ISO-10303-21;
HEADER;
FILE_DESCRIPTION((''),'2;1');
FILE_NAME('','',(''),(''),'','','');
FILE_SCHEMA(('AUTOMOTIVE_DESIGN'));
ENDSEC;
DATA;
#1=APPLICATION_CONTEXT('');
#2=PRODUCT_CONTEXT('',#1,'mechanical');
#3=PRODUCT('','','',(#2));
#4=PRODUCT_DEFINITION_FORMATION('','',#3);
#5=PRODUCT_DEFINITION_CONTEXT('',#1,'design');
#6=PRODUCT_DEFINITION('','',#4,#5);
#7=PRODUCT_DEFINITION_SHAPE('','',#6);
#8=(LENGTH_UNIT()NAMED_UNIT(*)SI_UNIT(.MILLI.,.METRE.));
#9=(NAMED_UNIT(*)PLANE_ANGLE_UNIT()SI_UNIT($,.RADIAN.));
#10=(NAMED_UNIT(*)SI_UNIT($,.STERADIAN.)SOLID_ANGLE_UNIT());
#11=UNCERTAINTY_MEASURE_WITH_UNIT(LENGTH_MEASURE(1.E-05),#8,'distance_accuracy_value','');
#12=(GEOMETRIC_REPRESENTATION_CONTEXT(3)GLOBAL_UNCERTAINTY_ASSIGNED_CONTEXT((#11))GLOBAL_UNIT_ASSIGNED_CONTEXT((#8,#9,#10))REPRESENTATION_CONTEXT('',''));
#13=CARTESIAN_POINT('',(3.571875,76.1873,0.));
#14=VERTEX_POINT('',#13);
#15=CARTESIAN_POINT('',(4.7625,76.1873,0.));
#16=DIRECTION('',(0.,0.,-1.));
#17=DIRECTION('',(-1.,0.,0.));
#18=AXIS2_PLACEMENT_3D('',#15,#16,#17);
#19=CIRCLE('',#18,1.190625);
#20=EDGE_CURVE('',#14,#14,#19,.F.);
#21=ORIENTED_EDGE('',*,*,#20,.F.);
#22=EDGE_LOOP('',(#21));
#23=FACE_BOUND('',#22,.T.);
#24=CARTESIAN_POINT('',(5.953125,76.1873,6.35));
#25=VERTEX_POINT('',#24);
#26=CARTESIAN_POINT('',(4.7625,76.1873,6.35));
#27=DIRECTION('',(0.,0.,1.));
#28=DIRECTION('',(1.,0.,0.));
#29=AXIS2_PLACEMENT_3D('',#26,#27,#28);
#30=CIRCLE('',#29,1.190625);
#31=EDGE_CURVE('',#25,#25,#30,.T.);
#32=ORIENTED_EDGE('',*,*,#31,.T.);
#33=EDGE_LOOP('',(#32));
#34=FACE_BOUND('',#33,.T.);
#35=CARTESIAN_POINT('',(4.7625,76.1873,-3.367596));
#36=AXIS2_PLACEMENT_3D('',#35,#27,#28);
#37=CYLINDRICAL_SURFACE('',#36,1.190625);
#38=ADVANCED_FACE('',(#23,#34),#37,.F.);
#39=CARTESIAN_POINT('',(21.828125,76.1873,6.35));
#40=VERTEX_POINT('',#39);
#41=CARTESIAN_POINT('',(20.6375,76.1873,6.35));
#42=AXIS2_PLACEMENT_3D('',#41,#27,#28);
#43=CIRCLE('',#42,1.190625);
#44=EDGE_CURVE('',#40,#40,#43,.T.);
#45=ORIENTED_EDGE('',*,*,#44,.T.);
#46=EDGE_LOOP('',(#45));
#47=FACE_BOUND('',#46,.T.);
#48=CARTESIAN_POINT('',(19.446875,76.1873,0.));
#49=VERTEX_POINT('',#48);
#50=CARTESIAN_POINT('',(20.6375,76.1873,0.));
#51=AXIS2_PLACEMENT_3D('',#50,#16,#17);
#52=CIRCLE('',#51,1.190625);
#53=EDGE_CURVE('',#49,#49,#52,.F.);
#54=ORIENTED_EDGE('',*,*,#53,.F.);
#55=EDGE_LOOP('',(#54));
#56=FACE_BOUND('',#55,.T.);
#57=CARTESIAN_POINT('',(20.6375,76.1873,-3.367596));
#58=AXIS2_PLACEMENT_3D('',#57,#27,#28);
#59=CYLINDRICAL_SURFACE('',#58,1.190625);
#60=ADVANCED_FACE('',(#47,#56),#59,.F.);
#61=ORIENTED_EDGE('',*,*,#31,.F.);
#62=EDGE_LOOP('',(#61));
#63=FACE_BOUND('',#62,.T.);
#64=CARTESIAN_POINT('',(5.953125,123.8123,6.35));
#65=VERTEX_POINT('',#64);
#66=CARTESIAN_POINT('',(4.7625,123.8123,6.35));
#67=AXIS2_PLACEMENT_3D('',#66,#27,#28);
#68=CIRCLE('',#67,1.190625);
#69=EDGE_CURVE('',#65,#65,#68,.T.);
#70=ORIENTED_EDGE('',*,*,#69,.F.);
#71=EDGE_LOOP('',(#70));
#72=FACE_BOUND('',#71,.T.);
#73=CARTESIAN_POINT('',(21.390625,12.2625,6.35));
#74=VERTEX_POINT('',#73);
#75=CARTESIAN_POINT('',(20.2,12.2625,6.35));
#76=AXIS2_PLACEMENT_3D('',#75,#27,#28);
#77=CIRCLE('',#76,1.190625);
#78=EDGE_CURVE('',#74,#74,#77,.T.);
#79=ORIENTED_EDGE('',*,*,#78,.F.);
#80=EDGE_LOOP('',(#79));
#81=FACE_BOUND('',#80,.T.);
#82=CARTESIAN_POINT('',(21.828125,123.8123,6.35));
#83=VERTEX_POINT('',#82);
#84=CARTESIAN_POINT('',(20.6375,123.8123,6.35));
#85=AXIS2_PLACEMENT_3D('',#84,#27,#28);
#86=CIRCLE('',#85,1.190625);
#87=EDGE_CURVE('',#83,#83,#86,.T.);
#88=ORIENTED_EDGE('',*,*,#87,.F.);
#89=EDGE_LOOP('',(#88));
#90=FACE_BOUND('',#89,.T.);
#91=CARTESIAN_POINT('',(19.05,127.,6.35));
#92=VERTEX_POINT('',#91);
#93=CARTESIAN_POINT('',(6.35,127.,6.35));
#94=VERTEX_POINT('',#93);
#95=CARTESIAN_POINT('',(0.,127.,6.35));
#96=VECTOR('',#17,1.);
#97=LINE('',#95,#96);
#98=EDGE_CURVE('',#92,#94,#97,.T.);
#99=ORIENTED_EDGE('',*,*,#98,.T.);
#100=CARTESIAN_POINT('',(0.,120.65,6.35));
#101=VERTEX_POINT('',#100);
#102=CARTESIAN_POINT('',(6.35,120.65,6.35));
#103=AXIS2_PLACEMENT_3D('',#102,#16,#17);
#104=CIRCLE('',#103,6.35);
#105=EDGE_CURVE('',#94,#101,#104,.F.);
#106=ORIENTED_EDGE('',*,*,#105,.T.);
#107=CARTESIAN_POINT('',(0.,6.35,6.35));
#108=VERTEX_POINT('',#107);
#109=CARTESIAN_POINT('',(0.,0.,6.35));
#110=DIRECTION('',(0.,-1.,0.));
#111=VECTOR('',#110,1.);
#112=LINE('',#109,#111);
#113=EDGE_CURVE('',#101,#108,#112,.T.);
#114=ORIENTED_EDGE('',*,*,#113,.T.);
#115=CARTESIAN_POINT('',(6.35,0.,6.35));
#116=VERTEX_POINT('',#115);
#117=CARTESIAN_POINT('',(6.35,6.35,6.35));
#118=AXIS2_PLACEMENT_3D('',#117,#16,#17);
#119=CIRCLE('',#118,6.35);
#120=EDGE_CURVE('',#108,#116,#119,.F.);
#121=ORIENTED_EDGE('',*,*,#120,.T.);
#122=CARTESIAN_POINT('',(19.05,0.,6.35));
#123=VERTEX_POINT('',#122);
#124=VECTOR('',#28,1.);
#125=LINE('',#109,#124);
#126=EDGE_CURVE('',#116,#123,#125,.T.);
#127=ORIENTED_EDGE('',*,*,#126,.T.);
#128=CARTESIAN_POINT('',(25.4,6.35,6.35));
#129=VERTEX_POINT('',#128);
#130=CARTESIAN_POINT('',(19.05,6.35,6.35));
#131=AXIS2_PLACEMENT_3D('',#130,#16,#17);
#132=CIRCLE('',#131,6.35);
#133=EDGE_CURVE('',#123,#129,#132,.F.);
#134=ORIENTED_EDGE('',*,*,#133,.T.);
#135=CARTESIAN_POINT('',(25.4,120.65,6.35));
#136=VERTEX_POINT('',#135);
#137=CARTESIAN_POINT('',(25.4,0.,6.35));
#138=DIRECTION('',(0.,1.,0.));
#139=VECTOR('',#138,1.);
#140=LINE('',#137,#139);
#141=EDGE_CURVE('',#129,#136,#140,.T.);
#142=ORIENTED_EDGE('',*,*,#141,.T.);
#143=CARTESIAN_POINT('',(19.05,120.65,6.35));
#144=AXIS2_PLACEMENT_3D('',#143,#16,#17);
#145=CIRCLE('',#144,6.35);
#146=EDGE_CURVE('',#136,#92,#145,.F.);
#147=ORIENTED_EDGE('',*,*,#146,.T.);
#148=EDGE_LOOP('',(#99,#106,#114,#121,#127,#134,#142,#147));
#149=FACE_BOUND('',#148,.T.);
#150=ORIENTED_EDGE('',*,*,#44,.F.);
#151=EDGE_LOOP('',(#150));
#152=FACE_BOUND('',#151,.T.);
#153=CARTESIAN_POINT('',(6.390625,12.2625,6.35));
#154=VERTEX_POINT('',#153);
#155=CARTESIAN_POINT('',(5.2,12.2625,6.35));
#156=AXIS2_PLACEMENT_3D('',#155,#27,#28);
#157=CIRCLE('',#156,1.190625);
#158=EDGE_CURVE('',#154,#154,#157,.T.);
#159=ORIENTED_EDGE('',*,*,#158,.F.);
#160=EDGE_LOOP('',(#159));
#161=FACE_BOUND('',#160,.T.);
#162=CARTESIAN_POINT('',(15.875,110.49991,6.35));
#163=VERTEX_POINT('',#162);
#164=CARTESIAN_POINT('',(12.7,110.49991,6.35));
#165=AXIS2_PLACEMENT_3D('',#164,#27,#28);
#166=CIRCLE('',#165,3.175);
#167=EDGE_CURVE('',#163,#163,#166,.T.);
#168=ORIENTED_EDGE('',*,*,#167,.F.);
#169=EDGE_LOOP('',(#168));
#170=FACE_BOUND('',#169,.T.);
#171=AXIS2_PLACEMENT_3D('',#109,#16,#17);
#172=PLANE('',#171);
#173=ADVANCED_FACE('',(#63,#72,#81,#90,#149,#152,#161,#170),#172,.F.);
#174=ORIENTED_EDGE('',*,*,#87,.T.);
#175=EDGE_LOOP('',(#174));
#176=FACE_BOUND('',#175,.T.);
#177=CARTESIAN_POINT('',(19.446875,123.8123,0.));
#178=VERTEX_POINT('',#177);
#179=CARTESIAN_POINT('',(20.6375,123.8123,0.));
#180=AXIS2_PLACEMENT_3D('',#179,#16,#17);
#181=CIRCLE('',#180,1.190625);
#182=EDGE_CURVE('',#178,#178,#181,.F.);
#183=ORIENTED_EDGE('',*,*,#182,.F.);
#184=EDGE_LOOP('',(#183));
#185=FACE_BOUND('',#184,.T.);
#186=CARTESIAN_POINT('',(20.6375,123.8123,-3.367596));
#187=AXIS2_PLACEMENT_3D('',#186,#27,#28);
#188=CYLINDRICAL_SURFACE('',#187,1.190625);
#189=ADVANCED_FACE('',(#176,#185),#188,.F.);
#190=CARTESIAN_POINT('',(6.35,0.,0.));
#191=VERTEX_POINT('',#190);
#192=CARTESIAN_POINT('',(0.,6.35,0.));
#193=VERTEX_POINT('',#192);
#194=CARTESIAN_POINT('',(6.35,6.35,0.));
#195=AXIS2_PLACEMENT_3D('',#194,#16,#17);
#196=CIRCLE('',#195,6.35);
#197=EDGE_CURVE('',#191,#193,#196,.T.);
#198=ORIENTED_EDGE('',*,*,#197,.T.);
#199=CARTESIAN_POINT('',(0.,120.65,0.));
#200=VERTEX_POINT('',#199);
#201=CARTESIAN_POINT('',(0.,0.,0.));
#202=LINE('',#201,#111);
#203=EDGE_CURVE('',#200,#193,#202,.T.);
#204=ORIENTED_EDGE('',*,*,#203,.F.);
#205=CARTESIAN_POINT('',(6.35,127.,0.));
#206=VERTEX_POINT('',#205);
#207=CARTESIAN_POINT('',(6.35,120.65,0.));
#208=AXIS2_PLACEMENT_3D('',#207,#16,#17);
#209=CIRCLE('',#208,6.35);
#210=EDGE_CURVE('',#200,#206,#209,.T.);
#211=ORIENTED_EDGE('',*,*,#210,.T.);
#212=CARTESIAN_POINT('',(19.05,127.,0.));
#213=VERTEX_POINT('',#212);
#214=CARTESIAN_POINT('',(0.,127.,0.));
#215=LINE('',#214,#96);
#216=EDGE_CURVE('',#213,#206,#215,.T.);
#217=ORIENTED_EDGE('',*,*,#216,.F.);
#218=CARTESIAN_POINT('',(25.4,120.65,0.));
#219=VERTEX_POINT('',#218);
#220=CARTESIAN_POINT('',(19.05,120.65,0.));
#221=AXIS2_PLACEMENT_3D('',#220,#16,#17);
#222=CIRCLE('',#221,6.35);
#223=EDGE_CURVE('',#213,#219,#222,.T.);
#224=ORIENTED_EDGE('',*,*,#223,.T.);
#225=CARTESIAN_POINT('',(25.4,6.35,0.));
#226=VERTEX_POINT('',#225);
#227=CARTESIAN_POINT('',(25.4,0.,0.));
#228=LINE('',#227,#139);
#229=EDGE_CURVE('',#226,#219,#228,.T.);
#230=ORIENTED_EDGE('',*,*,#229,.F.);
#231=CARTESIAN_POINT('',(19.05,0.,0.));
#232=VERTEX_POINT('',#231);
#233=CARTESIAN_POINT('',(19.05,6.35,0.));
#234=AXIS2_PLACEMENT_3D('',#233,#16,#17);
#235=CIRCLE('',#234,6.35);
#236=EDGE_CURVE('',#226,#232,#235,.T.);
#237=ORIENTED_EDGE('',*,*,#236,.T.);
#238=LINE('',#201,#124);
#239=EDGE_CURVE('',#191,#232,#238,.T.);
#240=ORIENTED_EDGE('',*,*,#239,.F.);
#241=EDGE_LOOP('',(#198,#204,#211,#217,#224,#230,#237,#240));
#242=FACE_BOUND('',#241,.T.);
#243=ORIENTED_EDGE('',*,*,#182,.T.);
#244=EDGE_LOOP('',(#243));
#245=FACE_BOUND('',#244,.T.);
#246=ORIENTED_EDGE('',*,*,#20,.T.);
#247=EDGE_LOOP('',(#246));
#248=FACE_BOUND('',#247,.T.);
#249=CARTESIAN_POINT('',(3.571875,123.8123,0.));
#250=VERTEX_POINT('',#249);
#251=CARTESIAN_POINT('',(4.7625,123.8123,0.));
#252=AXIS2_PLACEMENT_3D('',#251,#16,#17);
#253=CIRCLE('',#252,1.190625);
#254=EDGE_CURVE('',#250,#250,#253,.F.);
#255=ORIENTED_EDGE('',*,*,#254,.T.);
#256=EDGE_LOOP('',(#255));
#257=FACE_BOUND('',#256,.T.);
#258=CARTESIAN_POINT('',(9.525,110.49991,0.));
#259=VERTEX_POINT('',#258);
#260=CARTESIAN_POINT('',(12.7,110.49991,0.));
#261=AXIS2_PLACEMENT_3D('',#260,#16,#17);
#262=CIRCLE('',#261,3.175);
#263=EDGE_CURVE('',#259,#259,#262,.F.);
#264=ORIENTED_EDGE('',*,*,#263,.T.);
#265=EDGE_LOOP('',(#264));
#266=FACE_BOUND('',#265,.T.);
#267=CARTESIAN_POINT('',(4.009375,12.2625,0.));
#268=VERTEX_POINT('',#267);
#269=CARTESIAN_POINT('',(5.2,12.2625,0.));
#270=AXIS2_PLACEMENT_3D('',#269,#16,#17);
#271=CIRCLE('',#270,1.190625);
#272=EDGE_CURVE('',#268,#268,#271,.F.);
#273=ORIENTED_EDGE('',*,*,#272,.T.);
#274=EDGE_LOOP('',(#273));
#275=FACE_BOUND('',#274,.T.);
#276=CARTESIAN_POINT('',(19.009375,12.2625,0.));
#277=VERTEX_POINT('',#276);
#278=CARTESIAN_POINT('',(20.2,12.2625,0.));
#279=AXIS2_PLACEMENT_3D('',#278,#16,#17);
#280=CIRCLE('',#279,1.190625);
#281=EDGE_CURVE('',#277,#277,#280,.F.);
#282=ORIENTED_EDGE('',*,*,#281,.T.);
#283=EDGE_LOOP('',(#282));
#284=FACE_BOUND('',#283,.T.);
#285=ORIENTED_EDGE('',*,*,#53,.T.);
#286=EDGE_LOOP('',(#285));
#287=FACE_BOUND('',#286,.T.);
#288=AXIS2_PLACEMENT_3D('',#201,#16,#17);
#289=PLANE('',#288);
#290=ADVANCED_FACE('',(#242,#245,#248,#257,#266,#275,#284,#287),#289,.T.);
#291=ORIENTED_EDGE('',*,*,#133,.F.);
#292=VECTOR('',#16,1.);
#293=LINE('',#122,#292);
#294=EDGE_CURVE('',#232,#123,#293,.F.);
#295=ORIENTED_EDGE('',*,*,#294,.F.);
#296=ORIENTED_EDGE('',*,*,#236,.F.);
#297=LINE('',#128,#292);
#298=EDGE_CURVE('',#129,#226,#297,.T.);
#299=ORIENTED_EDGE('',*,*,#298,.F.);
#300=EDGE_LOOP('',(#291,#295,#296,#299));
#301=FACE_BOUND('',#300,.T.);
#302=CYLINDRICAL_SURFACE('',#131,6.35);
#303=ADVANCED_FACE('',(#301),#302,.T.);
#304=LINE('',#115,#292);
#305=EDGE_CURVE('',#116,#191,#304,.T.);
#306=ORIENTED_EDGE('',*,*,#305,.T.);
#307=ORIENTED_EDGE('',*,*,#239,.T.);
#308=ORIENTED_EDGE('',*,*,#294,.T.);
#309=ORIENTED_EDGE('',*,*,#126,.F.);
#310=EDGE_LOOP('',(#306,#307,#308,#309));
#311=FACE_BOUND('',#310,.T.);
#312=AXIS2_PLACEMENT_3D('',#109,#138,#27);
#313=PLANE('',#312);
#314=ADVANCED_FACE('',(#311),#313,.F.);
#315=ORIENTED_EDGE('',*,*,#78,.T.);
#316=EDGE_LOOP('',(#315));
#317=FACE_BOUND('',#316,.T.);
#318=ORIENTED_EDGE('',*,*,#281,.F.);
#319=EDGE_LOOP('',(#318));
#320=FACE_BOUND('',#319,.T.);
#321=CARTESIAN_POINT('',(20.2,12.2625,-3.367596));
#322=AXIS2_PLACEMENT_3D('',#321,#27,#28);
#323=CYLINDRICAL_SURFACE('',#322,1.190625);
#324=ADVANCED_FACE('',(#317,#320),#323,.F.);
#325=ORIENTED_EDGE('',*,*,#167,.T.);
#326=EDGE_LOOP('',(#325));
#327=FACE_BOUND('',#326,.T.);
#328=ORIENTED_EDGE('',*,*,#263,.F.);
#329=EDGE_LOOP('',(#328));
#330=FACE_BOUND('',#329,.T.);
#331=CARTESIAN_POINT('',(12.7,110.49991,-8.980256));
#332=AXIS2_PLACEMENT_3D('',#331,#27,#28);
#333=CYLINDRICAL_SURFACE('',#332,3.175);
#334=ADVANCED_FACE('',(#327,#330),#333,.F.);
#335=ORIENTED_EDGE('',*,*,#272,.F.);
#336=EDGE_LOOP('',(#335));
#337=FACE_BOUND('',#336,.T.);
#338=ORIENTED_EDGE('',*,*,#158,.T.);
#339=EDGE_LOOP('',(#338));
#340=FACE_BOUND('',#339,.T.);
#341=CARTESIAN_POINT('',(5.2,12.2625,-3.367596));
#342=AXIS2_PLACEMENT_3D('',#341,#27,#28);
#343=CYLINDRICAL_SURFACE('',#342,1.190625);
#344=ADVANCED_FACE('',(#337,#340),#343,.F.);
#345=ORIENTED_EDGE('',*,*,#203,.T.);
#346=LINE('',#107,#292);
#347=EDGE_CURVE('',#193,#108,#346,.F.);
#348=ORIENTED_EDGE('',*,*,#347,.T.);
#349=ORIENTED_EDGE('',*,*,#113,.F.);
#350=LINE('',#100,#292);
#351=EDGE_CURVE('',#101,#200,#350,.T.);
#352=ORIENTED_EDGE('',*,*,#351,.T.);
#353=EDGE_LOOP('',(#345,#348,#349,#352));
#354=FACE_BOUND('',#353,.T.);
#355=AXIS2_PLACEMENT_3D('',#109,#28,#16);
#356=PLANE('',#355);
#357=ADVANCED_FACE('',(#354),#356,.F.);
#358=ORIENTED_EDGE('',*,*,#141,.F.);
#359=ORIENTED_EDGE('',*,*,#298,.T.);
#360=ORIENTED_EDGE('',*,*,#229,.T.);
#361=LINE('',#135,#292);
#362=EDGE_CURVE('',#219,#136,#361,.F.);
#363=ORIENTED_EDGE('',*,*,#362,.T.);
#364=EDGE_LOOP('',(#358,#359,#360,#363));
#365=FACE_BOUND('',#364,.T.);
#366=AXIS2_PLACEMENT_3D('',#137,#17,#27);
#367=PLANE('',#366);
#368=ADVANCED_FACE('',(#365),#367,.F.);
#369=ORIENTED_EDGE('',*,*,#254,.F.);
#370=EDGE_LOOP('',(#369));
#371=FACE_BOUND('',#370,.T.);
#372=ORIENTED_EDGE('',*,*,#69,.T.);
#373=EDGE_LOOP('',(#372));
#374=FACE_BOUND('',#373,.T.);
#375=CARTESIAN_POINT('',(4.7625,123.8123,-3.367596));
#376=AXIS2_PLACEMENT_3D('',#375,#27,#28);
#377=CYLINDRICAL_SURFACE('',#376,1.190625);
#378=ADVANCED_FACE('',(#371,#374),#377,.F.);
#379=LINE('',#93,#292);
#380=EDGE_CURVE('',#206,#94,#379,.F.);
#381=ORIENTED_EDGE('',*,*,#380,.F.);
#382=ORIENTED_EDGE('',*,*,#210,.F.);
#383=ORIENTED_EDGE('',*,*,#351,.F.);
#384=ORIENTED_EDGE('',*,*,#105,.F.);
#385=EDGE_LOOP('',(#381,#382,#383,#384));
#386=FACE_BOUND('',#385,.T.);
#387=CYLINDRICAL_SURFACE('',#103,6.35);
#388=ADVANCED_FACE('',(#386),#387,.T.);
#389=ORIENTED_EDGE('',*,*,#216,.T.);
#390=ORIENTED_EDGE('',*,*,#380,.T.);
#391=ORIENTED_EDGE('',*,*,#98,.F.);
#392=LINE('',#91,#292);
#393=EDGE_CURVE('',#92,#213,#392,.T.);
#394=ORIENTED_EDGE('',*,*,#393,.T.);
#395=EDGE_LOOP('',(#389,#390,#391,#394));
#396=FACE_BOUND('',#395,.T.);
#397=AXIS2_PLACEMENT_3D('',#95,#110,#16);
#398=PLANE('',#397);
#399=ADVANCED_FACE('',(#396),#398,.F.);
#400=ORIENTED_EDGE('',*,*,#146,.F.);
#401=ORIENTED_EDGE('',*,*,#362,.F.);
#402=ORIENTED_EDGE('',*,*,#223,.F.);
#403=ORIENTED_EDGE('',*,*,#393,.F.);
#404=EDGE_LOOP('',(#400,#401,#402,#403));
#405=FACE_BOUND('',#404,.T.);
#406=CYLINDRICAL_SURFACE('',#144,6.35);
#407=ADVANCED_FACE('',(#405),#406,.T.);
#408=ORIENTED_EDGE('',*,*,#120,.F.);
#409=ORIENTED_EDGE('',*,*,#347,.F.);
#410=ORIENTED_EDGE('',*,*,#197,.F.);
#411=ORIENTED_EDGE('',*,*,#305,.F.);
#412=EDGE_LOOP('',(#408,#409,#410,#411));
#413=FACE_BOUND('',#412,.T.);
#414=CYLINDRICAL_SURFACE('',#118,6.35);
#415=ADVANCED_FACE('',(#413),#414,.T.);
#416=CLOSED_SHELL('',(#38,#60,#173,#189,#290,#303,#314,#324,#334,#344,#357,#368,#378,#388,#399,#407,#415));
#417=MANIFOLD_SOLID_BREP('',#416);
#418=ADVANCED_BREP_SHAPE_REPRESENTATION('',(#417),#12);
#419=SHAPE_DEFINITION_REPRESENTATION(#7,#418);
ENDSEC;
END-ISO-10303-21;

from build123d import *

# Parameters (mm, degrees)
SKETCH1_W           = 25.4
SKETCH1_H           = 127
BOSS_EXTRUDE1_DEPTH = 6.35
SKETCH2_R           = 1.190625
CUT_EXTRUDE1_DEPTH  = 6.35
FILLET1_R           = 6.35
SKETCH3_R           = 3.175
CUT_EXTRUDE2_DEPTH  = 6.35
SKETCH4_R           = 1.190625
CUT_EXTRUDE3_DEPTH  = 6.35


with BuildPart() as part:
    # Sketch1 → Boss-Extrude1 (new body)
    with BuildSketch(Plane.XY):
        with Locations((12.7, 63.5)):
            Rectangle(SKETCH1_W, SKETCH1_H)
    extrude(amount=BOSS_EXTRUDE1_DEPTH)

    # Sketch2 → Cut-Extrude1 (cut)
    with BuildSketch(Plane.XY.offset(6.35)):
        with Locations((5.2, 12.2625)):
            Circle(SKETCH2_R)
        with Locations((20.2, 12.2625)):
            Circle(SKETCH2_R)
    extrude(amount=-CUT_EXTRUDE1_DEPTH, mode=Mode.SUBTRACT)

    # Fillet1
    fillet1_edges = [part.edges().sort_by_distance(p)[0] for p in [
        (0, 127, 3.175),
        (25.4, 127, 3.175),
        (25.4, 0, 3.175),
        (0, 0, 3.175),
    ]]
    fillet(fillet1_edges, radius=FILLET1_R)

    # Sketch3 → Cut-Extrude2 (cut)
    with BuildSketch(Plane.XY.offset(6.35)):
        with Locations((12.7, 110.49991)):
            Circle(SKETCH3_R)
    extrude(amount=-CUT_EXTRUDE2_DEPTH, mode=Mode.SUBTRACT)

    # Sketch4 → Cut-Extrude3 (cut)
    with BuildSketch(Plane.XY.offset(6.35)):
        with Locations((4.7625, 123.8123)):
            Circle(SKETCH4_R)
        with Locations((20.6375, 123.8123)):
            Circle(SKETCH4_R)
        with Locations((20.6375, 76.1873)):
            Circle(SKETCH4_R)
        with Locations((4.7625, 76.1873)):
            Circle(SKETCH4_R)
    extrude(amount=-CUT_EXTRUDE3_DEPTH, mode=Mode.SUBTRACT)


solid = part.part
